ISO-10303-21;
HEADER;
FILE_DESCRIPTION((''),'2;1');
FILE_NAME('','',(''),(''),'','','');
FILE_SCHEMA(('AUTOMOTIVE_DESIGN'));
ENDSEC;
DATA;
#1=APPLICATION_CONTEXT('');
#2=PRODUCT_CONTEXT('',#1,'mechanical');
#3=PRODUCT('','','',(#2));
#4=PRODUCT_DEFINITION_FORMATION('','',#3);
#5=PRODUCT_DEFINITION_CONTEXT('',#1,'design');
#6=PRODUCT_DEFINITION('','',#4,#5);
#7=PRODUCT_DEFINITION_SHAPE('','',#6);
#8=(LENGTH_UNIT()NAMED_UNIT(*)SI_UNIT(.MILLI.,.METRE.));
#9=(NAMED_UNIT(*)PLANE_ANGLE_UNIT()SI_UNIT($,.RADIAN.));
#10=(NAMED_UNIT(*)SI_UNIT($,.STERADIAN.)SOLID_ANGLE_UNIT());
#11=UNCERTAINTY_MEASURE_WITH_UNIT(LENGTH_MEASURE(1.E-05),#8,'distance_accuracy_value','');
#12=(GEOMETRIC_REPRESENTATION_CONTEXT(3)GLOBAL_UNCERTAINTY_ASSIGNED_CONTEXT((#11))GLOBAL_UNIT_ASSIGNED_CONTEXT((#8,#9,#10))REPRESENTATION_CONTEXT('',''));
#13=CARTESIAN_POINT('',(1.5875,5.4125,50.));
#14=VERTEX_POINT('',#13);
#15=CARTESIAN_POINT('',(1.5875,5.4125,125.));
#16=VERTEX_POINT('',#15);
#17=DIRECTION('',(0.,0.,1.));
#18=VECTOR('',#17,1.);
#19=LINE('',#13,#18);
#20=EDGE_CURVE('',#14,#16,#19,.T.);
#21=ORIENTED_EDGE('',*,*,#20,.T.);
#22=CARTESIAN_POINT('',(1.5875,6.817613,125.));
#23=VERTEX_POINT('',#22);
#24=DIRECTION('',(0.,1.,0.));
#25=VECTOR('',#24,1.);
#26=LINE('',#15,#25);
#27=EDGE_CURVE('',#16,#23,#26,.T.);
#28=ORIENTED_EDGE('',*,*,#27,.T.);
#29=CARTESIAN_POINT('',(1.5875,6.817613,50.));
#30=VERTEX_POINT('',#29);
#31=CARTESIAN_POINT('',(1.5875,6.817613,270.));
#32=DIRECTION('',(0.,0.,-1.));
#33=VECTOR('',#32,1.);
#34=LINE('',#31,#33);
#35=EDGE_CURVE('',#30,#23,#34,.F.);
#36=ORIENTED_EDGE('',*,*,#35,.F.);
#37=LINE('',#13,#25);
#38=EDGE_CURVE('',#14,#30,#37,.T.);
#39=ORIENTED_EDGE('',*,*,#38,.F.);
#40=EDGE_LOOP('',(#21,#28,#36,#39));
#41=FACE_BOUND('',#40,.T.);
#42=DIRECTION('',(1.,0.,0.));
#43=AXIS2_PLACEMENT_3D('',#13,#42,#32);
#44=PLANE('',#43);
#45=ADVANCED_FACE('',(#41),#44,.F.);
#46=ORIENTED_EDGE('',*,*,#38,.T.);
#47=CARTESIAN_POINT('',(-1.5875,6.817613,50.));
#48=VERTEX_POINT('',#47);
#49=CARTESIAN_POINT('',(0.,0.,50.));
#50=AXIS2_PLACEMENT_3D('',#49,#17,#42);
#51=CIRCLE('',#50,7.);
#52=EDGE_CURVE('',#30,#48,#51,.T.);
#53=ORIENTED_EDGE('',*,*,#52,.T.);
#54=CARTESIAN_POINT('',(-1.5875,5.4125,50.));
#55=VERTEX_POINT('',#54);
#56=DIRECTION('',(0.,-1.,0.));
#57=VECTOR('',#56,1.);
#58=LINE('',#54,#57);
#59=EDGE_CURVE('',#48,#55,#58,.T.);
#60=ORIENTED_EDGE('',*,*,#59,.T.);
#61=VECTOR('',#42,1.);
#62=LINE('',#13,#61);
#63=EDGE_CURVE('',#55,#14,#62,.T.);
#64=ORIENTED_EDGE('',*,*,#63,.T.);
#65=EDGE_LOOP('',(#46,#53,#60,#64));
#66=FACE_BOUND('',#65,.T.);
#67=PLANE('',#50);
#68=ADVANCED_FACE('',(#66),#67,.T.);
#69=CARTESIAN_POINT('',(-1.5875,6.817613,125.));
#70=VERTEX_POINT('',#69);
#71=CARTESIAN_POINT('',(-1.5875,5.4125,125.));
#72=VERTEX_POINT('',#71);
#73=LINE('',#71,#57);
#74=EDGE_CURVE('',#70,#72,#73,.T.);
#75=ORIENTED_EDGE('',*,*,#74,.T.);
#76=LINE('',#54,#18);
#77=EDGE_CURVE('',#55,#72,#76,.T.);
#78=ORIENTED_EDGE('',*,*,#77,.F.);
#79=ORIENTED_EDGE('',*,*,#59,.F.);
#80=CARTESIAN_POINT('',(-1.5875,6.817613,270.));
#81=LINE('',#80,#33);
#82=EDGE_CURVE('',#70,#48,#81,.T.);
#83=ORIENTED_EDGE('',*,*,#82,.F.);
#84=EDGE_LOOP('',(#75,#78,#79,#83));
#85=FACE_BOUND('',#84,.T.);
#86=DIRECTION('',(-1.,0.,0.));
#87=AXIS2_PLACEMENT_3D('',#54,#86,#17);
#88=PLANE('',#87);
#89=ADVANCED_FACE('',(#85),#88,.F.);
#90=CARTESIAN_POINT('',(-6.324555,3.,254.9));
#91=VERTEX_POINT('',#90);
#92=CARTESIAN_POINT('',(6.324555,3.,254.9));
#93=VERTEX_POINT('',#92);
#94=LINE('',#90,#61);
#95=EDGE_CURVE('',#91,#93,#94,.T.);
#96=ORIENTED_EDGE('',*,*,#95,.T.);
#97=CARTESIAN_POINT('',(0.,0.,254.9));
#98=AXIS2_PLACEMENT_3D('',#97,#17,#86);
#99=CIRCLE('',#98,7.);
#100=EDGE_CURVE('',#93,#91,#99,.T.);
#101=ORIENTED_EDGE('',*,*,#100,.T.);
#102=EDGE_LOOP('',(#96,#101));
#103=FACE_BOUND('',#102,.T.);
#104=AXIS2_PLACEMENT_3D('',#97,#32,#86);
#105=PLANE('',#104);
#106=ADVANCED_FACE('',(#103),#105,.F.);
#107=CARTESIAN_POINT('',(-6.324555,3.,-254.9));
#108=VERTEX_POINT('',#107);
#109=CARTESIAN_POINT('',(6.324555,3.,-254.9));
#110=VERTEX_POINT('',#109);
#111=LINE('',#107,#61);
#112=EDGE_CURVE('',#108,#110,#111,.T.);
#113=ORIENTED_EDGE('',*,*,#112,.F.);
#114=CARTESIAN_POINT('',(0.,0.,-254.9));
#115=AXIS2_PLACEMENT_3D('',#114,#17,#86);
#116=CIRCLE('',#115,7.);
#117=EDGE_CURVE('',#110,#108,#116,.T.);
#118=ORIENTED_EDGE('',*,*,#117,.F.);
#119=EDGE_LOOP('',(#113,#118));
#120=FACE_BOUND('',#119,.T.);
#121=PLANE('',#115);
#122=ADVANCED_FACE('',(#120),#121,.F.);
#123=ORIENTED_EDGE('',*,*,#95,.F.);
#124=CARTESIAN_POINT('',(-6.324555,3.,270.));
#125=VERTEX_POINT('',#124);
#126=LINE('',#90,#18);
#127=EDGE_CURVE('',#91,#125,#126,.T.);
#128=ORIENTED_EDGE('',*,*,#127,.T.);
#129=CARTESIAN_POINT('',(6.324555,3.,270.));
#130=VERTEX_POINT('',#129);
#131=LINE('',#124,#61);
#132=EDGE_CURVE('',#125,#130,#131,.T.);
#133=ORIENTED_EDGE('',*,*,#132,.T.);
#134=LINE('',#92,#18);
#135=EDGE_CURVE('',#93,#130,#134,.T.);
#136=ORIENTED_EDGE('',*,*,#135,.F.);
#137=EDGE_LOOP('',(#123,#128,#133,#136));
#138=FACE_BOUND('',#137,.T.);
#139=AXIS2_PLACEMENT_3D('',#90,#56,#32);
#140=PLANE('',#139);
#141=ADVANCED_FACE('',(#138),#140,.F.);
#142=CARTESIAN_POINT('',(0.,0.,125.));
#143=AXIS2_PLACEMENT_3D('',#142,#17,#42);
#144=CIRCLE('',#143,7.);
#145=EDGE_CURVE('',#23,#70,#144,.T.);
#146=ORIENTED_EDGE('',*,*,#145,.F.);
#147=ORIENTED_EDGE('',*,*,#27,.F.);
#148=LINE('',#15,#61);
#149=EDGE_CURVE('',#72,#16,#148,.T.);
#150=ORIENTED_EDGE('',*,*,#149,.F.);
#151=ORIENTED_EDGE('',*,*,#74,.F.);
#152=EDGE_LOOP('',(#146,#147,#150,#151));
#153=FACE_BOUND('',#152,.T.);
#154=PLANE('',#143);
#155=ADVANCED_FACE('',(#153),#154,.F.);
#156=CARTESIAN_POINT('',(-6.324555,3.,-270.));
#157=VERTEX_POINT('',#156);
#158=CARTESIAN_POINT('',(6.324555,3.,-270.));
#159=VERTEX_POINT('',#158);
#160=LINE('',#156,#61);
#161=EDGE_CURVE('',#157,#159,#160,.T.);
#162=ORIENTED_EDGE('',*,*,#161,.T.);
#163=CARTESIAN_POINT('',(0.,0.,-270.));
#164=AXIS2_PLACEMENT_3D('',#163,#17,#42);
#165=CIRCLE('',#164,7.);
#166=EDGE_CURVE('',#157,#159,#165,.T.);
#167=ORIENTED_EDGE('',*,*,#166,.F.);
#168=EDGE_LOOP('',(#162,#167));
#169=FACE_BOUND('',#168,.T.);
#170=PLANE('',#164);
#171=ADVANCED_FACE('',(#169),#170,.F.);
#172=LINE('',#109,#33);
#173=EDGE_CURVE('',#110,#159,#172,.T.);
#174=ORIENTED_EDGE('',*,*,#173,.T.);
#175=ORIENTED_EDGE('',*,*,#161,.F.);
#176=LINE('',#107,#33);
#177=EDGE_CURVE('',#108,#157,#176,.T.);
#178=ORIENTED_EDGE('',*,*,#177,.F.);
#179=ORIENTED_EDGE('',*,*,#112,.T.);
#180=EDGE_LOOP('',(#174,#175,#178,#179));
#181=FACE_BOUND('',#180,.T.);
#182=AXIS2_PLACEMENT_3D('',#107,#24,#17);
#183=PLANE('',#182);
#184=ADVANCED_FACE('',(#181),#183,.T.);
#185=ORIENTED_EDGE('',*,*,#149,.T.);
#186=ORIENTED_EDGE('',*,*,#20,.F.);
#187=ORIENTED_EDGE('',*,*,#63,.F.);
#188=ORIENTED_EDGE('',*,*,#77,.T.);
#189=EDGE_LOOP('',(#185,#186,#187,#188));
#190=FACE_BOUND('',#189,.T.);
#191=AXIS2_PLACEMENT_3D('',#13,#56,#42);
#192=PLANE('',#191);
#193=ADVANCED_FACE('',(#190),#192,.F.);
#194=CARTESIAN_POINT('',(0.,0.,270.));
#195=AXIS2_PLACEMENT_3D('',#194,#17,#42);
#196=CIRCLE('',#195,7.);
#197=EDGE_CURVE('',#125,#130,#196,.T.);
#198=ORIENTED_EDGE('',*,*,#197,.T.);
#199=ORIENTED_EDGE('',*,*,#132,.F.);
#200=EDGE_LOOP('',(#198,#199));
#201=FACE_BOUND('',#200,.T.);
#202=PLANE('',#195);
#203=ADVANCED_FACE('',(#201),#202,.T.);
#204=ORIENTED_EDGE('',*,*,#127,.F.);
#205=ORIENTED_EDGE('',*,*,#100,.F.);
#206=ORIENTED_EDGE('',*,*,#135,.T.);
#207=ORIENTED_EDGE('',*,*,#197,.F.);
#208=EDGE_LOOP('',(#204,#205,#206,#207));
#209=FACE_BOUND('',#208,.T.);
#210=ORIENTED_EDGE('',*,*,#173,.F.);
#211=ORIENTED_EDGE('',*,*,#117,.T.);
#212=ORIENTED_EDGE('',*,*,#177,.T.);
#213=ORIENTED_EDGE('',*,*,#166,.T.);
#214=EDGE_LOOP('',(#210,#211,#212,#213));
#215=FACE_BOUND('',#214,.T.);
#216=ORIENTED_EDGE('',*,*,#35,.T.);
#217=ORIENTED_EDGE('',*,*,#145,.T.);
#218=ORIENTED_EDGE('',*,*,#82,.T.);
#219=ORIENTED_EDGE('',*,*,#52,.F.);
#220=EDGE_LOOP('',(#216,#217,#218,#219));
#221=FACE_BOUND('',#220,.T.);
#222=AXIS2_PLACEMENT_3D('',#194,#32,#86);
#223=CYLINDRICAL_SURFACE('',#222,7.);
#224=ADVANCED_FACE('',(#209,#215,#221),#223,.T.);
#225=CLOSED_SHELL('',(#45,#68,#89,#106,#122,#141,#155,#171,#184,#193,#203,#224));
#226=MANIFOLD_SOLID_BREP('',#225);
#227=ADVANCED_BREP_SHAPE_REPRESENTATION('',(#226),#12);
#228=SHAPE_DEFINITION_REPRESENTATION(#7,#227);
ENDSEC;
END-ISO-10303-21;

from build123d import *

# Parameters (mm, degrees)
SKETCH1_R           = 7
BOSS_EXTRUDE1_DEPTH = 270
CUT_EXTRUDE1_DEPTH  = 15.1
CUT_EXTRUDE2_START  = -145
SKETCH3_W           = 3.175
SKETCH3_H           = 3.175
CUT_EXTRUDE2_DEPTH  = 75


with BuildPart() as part:
    # Sketch1 → Boss-Extrude1 (new, symmetric)
    with BuildSketch(Plane.XY):
        Circle(SKETCH1_R)
    extrude(amount=BOSS_EXTRUDE1_DEPTH, both=True)

    # Sketch2 → Cut-Extrude1 (cut)
    with BuildSketch(Plane.XY.offset(270)):
        with BuildLine():
            Line((-6.32455532, 3), (6.32455532, 3))
            ThreePointArc((6.32455532, 3), (0, 7), (-6.32455532, 3))
        make_face()
    cut_extrude1 = extrude(amount=-CUT_EXTRUDE1_DEPTH, mode=Mode.SUBTRACT)

    # Sketch3 → Cut-Extrude2 (cut)
    with BuildSketch(Plane.XY.offset(270).offset(CUT_EXTRUDE2_START)):
        with Locations((0, 7)):
            Rectangle(SKETCH3_W, SKETCH3_H)
    extrude(amount=-CUT_EXTRUDE2_DEPTH, mode=Mode.SUBTRACT)

    # Mirror1: Cut-Extrude1 across plane
    add(cut_extrude1.mirror(Plane.XY), mode=Mode.SUBTRACT)


solid = part.part
